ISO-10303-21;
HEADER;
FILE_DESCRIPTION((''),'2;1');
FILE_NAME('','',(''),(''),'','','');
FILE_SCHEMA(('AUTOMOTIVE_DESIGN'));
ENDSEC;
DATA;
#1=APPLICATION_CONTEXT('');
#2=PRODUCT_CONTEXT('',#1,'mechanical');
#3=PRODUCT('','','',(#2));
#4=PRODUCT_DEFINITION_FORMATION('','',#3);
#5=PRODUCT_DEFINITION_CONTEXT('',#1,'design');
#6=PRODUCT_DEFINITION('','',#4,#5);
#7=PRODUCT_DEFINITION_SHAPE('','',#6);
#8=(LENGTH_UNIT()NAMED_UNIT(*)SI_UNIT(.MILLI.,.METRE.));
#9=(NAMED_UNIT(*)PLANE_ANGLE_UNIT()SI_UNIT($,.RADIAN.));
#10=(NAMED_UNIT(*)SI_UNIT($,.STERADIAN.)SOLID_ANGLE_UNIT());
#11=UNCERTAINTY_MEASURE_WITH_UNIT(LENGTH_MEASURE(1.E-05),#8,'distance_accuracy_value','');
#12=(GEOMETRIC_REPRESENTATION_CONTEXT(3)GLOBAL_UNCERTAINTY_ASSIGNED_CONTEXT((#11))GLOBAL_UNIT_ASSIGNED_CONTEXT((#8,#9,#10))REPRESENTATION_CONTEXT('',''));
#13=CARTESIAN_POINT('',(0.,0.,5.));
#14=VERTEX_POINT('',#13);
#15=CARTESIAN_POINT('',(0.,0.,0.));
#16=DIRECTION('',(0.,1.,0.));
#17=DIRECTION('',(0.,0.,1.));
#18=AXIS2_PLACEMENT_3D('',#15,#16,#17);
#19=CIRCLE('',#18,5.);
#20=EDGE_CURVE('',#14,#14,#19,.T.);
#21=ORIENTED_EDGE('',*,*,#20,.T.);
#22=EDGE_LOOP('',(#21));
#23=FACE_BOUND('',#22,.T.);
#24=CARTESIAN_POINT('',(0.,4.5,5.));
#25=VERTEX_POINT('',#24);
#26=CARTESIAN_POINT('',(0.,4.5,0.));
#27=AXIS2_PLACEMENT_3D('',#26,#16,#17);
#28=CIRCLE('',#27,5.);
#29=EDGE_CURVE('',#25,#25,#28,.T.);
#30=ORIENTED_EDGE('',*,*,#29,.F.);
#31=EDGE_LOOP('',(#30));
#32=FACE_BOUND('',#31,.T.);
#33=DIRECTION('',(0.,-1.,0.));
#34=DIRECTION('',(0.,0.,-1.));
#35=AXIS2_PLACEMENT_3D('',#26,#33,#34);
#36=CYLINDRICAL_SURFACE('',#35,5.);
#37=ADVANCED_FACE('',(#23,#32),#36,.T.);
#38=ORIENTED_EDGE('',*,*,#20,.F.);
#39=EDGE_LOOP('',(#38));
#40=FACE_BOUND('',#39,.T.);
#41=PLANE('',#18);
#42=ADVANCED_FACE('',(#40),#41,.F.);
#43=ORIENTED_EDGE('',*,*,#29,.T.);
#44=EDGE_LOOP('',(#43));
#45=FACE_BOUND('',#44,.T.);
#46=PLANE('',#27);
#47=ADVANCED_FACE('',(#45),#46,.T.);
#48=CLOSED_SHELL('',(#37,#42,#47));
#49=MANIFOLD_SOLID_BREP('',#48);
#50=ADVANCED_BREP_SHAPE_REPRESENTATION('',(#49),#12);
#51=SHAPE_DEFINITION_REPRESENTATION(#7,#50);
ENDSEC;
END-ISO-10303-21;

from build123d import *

# Parameters (mm, degrees)
SKETCH_1_R      = 5
EXTRUDE_1_DEPTH = 4.5


with BuildPart() as part:
    # ｽｹｯﾁ1 → ﾎﾞｽ - 押し出し1 (new body)
    with BuildSketch(Plane(origin=(0, 0, 0), x_dir=(1, 0, 0), z_dir=(0, 1, 0))):
        Circle(SKETCH_1_R)
    extrude(amount=EXTRUDE_1_DEPTH)


solid = part.part
